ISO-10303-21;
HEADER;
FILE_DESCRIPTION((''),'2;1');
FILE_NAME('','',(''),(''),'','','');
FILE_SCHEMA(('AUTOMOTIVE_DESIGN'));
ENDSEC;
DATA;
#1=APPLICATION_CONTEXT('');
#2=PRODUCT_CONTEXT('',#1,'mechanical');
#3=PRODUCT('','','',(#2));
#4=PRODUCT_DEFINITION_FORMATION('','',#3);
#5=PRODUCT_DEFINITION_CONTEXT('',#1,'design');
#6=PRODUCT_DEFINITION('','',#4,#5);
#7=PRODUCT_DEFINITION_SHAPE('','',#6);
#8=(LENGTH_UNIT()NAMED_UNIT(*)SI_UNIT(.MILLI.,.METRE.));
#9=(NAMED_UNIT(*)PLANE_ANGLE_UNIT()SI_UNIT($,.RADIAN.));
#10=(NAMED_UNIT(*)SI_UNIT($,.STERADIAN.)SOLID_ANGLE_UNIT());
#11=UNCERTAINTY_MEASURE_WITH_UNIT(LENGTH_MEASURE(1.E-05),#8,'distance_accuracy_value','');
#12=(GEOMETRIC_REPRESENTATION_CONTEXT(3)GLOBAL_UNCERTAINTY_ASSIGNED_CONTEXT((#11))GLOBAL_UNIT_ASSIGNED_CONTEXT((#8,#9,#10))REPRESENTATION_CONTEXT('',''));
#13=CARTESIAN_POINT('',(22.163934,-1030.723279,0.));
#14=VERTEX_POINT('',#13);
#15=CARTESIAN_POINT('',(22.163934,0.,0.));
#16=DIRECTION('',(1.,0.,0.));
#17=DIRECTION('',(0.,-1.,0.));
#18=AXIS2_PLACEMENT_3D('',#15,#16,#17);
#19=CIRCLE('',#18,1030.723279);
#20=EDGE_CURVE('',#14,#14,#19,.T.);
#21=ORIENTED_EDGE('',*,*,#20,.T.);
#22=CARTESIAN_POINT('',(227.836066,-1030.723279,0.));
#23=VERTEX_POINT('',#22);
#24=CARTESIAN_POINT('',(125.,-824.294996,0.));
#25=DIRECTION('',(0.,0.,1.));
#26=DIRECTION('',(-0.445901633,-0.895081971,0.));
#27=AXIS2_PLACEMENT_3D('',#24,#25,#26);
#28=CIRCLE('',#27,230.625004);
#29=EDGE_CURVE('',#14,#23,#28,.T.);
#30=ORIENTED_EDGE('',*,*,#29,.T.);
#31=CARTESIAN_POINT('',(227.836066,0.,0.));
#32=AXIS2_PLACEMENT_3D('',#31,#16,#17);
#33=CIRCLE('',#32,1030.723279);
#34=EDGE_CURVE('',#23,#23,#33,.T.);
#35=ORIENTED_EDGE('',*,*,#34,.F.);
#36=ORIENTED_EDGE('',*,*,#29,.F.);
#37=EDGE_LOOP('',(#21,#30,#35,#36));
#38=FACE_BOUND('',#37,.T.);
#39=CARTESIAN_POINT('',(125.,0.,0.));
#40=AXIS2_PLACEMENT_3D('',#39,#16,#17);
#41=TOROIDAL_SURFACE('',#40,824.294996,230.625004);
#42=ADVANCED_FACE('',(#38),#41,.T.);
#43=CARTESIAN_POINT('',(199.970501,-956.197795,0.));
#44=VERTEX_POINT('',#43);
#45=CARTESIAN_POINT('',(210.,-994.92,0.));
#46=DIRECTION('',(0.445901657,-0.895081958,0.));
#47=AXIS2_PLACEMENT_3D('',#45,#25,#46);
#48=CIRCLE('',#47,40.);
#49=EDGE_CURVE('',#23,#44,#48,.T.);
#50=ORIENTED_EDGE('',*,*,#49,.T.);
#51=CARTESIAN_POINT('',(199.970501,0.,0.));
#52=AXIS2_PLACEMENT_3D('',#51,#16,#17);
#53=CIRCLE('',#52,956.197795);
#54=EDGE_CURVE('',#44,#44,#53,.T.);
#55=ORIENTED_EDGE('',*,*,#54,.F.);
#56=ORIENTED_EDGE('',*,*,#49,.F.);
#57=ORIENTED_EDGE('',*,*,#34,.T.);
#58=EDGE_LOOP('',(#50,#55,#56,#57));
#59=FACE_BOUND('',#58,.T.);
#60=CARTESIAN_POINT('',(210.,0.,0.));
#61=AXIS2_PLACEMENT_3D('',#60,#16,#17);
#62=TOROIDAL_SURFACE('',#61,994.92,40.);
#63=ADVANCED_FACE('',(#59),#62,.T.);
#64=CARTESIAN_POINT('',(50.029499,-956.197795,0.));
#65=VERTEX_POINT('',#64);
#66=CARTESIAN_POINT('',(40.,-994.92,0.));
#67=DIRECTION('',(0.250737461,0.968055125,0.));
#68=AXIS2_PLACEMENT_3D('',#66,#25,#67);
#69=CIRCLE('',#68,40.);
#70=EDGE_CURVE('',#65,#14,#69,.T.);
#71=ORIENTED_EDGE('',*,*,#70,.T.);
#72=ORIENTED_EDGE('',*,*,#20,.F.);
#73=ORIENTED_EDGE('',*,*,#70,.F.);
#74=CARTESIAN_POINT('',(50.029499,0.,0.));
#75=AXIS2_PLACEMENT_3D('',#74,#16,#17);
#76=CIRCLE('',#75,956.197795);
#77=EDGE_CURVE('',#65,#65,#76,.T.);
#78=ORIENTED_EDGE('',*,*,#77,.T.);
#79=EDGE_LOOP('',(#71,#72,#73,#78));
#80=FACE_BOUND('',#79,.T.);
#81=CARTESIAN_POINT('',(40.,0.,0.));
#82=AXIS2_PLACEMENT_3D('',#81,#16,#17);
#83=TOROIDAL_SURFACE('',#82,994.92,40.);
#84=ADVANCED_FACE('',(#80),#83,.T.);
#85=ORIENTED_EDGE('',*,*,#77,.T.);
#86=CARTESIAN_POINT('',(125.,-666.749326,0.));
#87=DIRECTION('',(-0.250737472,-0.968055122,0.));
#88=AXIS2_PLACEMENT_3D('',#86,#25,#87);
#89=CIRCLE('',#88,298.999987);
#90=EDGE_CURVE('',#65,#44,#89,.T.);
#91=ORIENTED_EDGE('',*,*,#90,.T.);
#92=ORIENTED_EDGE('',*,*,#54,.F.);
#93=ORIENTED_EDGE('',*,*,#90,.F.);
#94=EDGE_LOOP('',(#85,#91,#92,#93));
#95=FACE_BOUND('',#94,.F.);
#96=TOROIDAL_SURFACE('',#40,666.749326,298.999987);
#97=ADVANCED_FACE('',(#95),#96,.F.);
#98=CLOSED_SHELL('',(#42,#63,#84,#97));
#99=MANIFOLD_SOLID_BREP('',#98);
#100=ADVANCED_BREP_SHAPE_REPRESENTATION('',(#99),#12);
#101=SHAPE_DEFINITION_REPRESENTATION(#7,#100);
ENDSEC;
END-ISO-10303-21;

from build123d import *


with BuildPart() as part:
    # Sketch → Revolution (revolve)
    with BuildSketch(Plane.XY):
        with BuildLine():
            ThreePointArc((50.029499, -956.197795), (2.533381, -980.910987), (22.163934, -1030.723279))
            ThreePointArc((22.163934, -1030.723279), (125, -1054.92), (227.836066, -1030.723279))
            ThreePointArc((227.836066, -1030.723279), (247.466619, -980.910987), (199.970501, -956.197795))
            ThreePointArc((50.029499, -956.197795), (125, -965.749313), (199.970501, -956.197795))
        make_face()
    revolve(axis=Axis((0, 0, 0), (1, 0, 0)))


solid = part.part
